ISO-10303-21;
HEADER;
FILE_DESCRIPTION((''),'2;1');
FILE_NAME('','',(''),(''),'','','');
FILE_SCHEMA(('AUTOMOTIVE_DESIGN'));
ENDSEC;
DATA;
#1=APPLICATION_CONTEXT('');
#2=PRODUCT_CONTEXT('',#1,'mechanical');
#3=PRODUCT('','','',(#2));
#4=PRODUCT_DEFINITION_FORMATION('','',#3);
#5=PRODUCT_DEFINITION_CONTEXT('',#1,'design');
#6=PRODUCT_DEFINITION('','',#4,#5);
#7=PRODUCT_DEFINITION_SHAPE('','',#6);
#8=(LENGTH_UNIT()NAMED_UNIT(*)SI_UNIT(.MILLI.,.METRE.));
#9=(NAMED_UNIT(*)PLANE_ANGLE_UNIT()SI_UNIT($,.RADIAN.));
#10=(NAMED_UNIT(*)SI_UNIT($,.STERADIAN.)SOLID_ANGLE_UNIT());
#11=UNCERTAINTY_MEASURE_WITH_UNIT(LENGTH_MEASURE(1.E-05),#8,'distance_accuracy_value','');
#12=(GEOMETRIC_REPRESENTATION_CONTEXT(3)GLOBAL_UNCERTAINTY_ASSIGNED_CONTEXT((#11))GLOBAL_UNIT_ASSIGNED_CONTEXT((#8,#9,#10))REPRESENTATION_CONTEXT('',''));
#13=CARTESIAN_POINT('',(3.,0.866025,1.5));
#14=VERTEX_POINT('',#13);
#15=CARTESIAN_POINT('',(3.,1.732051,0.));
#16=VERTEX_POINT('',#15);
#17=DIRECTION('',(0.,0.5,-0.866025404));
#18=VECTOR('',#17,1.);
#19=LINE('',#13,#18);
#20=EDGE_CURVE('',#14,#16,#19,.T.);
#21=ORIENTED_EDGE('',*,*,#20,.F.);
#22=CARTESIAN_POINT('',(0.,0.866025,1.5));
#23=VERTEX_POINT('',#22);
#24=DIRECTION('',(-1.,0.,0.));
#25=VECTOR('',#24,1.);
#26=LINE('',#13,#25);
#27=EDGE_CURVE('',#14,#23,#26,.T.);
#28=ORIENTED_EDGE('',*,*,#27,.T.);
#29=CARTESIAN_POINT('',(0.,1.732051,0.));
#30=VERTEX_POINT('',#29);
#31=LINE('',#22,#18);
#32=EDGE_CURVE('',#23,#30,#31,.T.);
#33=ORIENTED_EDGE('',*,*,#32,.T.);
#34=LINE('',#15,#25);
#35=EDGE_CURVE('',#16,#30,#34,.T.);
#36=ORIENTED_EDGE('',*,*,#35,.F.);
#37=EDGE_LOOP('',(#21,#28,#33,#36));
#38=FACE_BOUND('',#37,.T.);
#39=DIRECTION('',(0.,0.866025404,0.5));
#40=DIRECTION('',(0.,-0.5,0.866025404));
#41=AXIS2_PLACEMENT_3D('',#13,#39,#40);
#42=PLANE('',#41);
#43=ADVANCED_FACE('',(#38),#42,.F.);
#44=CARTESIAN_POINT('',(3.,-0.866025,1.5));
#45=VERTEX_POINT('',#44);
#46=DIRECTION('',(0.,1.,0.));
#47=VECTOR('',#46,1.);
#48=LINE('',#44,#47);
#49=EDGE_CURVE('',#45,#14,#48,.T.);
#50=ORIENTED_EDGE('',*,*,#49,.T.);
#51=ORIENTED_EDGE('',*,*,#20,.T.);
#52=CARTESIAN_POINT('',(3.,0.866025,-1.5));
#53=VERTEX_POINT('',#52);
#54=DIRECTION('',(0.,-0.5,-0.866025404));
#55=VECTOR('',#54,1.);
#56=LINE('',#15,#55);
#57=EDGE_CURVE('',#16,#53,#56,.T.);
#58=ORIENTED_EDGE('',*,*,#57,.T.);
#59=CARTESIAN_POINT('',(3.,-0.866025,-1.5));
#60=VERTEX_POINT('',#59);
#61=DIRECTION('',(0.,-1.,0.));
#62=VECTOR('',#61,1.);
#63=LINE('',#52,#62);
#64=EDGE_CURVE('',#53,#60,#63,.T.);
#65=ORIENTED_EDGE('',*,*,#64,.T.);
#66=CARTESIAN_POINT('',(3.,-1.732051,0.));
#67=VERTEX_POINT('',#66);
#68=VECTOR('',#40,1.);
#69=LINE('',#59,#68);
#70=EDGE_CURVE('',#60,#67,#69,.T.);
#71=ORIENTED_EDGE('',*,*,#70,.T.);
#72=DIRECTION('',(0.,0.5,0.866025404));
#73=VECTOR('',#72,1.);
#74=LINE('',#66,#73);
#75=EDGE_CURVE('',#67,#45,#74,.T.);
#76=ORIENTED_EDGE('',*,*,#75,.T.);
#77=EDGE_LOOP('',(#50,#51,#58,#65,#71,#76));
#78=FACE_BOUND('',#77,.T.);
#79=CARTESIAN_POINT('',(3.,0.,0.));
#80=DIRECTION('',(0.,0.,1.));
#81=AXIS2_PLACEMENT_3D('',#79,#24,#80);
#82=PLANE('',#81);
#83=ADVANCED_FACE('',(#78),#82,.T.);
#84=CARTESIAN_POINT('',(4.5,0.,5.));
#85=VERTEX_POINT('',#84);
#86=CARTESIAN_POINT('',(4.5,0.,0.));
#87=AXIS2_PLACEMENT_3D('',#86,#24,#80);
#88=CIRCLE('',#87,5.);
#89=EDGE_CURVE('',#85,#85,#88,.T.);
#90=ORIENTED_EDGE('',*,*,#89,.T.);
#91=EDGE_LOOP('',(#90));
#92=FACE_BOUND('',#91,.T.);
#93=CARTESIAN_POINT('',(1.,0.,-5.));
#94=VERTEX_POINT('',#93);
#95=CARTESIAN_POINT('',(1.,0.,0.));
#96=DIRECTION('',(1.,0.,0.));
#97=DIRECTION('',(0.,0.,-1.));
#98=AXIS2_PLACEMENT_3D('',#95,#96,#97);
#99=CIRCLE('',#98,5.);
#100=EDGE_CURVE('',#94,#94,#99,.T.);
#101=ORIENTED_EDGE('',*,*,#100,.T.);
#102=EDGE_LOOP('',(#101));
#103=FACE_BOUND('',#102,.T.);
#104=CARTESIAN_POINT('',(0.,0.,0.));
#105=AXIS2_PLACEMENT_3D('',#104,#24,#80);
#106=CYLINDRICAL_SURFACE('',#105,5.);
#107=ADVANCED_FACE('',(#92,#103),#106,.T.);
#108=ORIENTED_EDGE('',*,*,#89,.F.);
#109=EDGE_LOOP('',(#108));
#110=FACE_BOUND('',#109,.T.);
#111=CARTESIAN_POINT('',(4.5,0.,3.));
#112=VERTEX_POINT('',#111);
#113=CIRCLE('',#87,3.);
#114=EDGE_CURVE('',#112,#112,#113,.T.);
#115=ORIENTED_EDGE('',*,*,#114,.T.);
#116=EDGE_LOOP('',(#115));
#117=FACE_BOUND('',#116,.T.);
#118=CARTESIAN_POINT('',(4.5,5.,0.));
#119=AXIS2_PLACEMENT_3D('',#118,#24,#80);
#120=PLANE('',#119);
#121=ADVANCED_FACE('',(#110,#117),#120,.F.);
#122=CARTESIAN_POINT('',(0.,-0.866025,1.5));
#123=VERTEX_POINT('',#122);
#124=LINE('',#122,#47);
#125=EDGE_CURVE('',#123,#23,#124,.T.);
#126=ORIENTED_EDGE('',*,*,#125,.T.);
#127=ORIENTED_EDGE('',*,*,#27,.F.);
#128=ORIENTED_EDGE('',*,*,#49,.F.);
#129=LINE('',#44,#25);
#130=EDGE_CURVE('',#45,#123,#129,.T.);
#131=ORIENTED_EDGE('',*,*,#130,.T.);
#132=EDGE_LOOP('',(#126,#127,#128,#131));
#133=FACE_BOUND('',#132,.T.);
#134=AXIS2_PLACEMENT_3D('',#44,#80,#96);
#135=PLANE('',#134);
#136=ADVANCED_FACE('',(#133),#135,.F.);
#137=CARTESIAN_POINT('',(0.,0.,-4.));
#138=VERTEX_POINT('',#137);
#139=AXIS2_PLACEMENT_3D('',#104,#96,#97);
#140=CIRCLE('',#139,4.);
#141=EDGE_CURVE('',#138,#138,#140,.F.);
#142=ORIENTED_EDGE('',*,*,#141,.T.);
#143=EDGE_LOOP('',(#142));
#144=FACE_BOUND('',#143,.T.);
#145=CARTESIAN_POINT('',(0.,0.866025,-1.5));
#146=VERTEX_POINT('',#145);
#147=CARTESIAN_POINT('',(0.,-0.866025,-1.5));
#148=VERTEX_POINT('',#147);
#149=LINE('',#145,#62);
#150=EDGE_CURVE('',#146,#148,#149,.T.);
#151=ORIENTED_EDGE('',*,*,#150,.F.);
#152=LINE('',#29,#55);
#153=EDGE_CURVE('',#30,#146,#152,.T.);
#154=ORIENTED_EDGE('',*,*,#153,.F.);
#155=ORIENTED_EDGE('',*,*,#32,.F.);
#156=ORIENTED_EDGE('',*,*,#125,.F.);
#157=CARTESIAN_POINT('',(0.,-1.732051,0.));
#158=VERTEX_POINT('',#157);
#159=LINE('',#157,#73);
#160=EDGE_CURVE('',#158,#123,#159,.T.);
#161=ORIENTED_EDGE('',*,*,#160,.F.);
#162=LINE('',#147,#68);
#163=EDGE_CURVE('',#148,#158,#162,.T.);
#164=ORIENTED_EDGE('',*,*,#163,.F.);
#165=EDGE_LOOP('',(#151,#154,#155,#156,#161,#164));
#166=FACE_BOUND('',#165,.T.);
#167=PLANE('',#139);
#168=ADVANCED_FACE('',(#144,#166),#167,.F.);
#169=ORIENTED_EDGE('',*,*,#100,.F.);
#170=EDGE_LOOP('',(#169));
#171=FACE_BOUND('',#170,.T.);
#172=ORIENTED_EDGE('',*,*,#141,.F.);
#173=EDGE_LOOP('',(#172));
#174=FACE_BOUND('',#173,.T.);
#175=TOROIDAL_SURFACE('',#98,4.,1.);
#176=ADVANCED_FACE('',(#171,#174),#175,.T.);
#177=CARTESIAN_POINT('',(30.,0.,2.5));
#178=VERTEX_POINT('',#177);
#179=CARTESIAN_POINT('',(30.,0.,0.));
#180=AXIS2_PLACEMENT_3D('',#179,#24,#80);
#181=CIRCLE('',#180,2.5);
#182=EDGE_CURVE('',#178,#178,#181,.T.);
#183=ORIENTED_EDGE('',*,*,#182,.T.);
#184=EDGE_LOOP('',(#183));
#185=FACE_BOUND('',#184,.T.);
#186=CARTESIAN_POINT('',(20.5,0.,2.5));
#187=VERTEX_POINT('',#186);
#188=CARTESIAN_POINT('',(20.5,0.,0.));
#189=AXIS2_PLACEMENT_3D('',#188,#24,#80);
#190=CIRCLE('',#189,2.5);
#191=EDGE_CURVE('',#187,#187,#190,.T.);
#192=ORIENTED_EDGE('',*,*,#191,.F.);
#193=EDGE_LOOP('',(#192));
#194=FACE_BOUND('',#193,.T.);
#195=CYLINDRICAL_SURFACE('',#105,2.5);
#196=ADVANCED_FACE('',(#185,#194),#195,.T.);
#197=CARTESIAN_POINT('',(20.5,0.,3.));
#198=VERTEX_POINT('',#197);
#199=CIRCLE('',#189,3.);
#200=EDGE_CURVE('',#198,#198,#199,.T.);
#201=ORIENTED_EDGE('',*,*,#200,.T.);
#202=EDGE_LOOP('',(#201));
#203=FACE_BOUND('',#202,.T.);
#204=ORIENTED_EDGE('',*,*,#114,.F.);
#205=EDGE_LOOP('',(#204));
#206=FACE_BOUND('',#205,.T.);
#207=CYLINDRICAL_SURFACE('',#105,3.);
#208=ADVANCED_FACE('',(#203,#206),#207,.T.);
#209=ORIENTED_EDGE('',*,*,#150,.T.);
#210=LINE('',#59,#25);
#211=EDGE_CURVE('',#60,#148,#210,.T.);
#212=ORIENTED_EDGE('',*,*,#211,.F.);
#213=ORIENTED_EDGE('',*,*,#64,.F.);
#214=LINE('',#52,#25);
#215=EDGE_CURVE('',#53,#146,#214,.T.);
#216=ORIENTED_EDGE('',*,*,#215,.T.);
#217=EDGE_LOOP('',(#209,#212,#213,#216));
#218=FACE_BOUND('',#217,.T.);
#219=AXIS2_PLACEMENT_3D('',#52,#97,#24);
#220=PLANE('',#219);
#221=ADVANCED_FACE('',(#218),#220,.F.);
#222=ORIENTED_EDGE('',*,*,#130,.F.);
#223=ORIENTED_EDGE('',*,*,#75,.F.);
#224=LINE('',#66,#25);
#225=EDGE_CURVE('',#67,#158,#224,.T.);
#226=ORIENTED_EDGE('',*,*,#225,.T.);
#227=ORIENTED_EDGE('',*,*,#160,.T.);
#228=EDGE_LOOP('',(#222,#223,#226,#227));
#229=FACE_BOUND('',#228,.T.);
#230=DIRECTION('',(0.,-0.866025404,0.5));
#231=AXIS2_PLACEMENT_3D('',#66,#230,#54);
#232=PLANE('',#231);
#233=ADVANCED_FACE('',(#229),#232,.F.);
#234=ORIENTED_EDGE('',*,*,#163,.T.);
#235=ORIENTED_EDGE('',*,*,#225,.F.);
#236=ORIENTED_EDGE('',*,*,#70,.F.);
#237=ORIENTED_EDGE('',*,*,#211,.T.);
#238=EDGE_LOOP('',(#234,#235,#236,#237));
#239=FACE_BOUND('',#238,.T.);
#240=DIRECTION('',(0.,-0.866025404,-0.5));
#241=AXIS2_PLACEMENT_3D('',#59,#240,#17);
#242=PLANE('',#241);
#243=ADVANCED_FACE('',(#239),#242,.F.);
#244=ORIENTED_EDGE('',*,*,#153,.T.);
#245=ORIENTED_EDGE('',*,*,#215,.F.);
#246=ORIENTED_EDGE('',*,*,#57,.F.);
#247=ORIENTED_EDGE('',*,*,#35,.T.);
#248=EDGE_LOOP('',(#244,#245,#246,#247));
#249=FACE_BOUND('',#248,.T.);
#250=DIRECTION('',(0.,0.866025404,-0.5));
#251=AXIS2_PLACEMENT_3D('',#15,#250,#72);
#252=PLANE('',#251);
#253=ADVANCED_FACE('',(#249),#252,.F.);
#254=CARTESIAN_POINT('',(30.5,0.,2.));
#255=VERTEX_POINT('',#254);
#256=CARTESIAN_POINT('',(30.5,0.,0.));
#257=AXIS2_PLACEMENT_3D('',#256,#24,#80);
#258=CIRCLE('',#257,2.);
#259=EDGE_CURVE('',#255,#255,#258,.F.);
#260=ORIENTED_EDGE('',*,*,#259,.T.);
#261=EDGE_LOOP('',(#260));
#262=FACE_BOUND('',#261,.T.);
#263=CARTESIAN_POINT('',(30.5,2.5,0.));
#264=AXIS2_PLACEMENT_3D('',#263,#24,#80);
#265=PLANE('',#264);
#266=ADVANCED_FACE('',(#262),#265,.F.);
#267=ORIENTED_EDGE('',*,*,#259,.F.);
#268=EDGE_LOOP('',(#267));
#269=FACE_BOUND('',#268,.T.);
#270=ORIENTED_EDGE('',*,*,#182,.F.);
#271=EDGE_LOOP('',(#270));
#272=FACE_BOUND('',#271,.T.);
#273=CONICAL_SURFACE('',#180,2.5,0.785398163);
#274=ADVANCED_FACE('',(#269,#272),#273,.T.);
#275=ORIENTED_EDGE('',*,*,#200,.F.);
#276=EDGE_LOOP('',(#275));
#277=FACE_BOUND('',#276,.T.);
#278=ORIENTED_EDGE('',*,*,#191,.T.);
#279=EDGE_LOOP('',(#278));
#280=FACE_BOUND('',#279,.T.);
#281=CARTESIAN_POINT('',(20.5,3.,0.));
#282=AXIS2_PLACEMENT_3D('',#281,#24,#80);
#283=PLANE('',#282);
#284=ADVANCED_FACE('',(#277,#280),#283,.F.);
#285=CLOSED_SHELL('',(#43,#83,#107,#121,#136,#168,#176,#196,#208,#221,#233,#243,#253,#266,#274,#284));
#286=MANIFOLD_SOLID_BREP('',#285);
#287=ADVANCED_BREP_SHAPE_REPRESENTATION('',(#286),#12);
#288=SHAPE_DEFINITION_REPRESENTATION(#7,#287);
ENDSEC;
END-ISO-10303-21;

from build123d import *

# Parameters (mm, degrees)
CUT_EXTRUDE_1_DEPTH = 3
FILLET_1_R          = 1
CHAMFER_1_SIZE      = 0.5


with BuildPart() as part:
    # 草图1 → 旋转1 (revolve)
    with BuildSketch(Plane.XY):
        Polygon((0, 0), (0, 5), (4.5, 5), (4.5, 3), (20.5, 3), (20.5, 2.5), (30.5, 2.5), (30.5, 0), align=None)
    revolve(axis=Axis((0, 0, 0), (1, 0, 0)))

    # 草图2 → 切除-拉伸1 (cut)
    with BuildSketch(Plane.ZY):
        Polygon((0, 1.732050808), (-1.5, 0.866025404), (-1.5, -0.866025404), (0, -1.732050808), (1.5, -0.866025404), (1.5, 0.866025404), align=None)
    extrude(amount=-CUT_EXTRUDE_1_DEPTH, mode=Mode.SUBTRACT)

    # 圆角1
    fillet_1_edges = [part.edges().sort_by_distance(p)[0] for p in [
        (0, -5, 0),
    ]]
    fillet(fillet_1_edges, radius=FILLET_1_R)

    # 倒角1
    chamfer_1_edges = [part.edges().sort_by_distance(p)[0] for p in [
        (30.5, -2.5, 0),
    ]]
    chamfer(chamfer_1_edges, length=CHAMFER_1_SIZE)


solid = part.part
